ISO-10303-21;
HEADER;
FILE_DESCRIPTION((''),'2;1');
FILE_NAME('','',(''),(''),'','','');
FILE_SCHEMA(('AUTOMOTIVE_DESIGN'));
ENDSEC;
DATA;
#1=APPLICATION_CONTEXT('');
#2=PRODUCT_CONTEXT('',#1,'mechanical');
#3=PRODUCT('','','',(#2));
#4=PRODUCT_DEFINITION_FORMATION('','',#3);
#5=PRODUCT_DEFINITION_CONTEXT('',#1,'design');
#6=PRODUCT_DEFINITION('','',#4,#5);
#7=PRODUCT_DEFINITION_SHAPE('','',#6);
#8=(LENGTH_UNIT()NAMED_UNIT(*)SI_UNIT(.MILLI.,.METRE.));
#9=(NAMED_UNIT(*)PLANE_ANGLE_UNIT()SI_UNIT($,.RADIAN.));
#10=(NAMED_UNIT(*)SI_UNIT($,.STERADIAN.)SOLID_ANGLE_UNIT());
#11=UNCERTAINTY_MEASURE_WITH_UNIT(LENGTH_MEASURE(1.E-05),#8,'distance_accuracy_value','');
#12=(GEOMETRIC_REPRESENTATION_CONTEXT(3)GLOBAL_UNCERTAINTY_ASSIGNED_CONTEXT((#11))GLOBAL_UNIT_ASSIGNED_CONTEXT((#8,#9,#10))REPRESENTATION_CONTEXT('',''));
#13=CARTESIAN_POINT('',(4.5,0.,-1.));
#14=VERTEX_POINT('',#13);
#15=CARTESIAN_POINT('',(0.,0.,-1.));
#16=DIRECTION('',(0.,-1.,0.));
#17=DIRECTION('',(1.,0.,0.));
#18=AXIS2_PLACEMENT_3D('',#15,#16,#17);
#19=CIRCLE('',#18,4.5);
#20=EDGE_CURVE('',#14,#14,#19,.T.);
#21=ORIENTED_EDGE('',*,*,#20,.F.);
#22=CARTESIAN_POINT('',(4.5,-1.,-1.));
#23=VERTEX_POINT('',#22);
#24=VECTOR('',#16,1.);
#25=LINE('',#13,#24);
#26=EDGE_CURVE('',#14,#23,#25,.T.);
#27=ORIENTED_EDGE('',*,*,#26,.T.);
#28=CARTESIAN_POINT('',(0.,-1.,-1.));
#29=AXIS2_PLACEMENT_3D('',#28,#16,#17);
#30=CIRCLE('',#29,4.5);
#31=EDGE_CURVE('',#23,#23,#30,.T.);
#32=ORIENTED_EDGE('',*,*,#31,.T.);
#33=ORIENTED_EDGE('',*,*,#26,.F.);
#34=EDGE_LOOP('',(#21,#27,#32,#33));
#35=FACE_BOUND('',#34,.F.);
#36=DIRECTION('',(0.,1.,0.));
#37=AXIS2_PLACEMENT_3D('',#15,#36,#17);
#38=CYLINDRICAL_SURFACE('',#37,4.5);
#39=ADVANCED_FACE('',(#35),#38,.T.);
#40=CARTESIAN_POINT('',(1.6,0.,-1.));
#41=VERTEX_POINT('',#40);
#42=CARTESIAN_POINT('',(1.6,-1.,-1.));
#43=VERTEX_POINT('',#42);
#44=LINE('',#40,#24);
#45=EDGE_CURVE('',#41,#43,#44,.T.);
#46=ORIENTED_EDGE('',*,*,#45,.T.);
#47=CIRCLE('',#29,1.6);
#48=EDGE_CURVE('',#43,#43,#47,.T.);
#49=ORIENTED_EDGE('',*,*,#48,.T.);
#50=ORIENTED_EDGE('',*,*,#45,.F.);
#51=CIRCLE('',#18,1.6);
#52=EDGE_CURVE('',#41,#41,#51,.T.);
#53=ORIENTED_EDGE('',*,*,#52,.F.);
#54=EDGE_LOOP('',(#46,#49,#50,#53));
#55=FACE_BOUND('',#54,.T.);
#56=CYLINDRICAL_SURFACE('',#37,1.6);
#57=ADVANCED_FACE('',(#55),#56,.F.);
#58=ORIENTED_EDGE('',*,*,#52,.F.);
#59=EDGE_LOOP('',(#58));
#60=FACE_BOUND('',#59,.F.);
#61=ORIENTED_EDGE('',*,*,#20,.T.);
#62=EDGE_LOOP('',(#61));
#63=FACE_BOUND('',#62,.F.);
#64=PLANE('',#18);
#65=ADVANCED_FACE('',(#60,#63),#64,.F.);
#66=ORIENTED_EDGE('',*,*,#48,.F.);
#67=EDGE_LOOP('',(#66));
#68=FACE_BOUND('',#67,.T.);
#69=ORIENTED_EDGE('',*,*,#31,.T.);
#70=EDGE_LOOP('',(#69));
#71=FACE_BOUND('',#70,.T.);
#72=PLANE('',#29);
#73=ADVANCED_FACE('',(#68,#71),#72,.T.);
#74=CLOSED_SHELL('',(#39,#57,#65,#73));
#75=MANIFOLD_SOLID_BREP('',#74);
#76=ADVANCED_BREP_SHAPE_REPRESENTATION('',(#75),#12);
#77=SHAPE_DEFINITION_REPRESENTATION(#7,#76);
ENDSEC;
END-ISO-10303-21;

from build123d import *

# Parameters (mm, degrees)
CYLINDER018_R          = 1.6
CYLINDER018_DEPTH      = 1
CYLINDER017_R          = 4.5
CYLINDER017_DEPTH      = 1
CUT020_PLACEMENT_ANGLE = 90


with BuildPart() as facewasherscrewhole:
    # Cylinder018 → Cylinder018 (new body)
    with BuildSketch(Plane.XY):
        Circle(CYLINDER018_R)
    extrude(amount=CYLINDER018_DEPTH)


with BuildPart() as facewasher:
    # Cylinder017 → Cylinder017 (new body)
    with BuildSketch(Plane.XY):
        Circle(CYLINDER017_R)
    extrude(amount=CYLINDER017_DEPTH)

    # Cut020: cut FaceWasherScrewHole
    add(facewasherscrewhole.part, mode=Mode.SUBTRACT)


with BuildPart() as facewasher_1:
    # Cut020 placement: moved
    add(facewasher.part.moved(Location((0, 0, -1))).rotate(Axis((0, 0, -1), (1, 0, 0)), CUT020_PLACEMENT_ANGLE))


solid = facewasher_1.part
